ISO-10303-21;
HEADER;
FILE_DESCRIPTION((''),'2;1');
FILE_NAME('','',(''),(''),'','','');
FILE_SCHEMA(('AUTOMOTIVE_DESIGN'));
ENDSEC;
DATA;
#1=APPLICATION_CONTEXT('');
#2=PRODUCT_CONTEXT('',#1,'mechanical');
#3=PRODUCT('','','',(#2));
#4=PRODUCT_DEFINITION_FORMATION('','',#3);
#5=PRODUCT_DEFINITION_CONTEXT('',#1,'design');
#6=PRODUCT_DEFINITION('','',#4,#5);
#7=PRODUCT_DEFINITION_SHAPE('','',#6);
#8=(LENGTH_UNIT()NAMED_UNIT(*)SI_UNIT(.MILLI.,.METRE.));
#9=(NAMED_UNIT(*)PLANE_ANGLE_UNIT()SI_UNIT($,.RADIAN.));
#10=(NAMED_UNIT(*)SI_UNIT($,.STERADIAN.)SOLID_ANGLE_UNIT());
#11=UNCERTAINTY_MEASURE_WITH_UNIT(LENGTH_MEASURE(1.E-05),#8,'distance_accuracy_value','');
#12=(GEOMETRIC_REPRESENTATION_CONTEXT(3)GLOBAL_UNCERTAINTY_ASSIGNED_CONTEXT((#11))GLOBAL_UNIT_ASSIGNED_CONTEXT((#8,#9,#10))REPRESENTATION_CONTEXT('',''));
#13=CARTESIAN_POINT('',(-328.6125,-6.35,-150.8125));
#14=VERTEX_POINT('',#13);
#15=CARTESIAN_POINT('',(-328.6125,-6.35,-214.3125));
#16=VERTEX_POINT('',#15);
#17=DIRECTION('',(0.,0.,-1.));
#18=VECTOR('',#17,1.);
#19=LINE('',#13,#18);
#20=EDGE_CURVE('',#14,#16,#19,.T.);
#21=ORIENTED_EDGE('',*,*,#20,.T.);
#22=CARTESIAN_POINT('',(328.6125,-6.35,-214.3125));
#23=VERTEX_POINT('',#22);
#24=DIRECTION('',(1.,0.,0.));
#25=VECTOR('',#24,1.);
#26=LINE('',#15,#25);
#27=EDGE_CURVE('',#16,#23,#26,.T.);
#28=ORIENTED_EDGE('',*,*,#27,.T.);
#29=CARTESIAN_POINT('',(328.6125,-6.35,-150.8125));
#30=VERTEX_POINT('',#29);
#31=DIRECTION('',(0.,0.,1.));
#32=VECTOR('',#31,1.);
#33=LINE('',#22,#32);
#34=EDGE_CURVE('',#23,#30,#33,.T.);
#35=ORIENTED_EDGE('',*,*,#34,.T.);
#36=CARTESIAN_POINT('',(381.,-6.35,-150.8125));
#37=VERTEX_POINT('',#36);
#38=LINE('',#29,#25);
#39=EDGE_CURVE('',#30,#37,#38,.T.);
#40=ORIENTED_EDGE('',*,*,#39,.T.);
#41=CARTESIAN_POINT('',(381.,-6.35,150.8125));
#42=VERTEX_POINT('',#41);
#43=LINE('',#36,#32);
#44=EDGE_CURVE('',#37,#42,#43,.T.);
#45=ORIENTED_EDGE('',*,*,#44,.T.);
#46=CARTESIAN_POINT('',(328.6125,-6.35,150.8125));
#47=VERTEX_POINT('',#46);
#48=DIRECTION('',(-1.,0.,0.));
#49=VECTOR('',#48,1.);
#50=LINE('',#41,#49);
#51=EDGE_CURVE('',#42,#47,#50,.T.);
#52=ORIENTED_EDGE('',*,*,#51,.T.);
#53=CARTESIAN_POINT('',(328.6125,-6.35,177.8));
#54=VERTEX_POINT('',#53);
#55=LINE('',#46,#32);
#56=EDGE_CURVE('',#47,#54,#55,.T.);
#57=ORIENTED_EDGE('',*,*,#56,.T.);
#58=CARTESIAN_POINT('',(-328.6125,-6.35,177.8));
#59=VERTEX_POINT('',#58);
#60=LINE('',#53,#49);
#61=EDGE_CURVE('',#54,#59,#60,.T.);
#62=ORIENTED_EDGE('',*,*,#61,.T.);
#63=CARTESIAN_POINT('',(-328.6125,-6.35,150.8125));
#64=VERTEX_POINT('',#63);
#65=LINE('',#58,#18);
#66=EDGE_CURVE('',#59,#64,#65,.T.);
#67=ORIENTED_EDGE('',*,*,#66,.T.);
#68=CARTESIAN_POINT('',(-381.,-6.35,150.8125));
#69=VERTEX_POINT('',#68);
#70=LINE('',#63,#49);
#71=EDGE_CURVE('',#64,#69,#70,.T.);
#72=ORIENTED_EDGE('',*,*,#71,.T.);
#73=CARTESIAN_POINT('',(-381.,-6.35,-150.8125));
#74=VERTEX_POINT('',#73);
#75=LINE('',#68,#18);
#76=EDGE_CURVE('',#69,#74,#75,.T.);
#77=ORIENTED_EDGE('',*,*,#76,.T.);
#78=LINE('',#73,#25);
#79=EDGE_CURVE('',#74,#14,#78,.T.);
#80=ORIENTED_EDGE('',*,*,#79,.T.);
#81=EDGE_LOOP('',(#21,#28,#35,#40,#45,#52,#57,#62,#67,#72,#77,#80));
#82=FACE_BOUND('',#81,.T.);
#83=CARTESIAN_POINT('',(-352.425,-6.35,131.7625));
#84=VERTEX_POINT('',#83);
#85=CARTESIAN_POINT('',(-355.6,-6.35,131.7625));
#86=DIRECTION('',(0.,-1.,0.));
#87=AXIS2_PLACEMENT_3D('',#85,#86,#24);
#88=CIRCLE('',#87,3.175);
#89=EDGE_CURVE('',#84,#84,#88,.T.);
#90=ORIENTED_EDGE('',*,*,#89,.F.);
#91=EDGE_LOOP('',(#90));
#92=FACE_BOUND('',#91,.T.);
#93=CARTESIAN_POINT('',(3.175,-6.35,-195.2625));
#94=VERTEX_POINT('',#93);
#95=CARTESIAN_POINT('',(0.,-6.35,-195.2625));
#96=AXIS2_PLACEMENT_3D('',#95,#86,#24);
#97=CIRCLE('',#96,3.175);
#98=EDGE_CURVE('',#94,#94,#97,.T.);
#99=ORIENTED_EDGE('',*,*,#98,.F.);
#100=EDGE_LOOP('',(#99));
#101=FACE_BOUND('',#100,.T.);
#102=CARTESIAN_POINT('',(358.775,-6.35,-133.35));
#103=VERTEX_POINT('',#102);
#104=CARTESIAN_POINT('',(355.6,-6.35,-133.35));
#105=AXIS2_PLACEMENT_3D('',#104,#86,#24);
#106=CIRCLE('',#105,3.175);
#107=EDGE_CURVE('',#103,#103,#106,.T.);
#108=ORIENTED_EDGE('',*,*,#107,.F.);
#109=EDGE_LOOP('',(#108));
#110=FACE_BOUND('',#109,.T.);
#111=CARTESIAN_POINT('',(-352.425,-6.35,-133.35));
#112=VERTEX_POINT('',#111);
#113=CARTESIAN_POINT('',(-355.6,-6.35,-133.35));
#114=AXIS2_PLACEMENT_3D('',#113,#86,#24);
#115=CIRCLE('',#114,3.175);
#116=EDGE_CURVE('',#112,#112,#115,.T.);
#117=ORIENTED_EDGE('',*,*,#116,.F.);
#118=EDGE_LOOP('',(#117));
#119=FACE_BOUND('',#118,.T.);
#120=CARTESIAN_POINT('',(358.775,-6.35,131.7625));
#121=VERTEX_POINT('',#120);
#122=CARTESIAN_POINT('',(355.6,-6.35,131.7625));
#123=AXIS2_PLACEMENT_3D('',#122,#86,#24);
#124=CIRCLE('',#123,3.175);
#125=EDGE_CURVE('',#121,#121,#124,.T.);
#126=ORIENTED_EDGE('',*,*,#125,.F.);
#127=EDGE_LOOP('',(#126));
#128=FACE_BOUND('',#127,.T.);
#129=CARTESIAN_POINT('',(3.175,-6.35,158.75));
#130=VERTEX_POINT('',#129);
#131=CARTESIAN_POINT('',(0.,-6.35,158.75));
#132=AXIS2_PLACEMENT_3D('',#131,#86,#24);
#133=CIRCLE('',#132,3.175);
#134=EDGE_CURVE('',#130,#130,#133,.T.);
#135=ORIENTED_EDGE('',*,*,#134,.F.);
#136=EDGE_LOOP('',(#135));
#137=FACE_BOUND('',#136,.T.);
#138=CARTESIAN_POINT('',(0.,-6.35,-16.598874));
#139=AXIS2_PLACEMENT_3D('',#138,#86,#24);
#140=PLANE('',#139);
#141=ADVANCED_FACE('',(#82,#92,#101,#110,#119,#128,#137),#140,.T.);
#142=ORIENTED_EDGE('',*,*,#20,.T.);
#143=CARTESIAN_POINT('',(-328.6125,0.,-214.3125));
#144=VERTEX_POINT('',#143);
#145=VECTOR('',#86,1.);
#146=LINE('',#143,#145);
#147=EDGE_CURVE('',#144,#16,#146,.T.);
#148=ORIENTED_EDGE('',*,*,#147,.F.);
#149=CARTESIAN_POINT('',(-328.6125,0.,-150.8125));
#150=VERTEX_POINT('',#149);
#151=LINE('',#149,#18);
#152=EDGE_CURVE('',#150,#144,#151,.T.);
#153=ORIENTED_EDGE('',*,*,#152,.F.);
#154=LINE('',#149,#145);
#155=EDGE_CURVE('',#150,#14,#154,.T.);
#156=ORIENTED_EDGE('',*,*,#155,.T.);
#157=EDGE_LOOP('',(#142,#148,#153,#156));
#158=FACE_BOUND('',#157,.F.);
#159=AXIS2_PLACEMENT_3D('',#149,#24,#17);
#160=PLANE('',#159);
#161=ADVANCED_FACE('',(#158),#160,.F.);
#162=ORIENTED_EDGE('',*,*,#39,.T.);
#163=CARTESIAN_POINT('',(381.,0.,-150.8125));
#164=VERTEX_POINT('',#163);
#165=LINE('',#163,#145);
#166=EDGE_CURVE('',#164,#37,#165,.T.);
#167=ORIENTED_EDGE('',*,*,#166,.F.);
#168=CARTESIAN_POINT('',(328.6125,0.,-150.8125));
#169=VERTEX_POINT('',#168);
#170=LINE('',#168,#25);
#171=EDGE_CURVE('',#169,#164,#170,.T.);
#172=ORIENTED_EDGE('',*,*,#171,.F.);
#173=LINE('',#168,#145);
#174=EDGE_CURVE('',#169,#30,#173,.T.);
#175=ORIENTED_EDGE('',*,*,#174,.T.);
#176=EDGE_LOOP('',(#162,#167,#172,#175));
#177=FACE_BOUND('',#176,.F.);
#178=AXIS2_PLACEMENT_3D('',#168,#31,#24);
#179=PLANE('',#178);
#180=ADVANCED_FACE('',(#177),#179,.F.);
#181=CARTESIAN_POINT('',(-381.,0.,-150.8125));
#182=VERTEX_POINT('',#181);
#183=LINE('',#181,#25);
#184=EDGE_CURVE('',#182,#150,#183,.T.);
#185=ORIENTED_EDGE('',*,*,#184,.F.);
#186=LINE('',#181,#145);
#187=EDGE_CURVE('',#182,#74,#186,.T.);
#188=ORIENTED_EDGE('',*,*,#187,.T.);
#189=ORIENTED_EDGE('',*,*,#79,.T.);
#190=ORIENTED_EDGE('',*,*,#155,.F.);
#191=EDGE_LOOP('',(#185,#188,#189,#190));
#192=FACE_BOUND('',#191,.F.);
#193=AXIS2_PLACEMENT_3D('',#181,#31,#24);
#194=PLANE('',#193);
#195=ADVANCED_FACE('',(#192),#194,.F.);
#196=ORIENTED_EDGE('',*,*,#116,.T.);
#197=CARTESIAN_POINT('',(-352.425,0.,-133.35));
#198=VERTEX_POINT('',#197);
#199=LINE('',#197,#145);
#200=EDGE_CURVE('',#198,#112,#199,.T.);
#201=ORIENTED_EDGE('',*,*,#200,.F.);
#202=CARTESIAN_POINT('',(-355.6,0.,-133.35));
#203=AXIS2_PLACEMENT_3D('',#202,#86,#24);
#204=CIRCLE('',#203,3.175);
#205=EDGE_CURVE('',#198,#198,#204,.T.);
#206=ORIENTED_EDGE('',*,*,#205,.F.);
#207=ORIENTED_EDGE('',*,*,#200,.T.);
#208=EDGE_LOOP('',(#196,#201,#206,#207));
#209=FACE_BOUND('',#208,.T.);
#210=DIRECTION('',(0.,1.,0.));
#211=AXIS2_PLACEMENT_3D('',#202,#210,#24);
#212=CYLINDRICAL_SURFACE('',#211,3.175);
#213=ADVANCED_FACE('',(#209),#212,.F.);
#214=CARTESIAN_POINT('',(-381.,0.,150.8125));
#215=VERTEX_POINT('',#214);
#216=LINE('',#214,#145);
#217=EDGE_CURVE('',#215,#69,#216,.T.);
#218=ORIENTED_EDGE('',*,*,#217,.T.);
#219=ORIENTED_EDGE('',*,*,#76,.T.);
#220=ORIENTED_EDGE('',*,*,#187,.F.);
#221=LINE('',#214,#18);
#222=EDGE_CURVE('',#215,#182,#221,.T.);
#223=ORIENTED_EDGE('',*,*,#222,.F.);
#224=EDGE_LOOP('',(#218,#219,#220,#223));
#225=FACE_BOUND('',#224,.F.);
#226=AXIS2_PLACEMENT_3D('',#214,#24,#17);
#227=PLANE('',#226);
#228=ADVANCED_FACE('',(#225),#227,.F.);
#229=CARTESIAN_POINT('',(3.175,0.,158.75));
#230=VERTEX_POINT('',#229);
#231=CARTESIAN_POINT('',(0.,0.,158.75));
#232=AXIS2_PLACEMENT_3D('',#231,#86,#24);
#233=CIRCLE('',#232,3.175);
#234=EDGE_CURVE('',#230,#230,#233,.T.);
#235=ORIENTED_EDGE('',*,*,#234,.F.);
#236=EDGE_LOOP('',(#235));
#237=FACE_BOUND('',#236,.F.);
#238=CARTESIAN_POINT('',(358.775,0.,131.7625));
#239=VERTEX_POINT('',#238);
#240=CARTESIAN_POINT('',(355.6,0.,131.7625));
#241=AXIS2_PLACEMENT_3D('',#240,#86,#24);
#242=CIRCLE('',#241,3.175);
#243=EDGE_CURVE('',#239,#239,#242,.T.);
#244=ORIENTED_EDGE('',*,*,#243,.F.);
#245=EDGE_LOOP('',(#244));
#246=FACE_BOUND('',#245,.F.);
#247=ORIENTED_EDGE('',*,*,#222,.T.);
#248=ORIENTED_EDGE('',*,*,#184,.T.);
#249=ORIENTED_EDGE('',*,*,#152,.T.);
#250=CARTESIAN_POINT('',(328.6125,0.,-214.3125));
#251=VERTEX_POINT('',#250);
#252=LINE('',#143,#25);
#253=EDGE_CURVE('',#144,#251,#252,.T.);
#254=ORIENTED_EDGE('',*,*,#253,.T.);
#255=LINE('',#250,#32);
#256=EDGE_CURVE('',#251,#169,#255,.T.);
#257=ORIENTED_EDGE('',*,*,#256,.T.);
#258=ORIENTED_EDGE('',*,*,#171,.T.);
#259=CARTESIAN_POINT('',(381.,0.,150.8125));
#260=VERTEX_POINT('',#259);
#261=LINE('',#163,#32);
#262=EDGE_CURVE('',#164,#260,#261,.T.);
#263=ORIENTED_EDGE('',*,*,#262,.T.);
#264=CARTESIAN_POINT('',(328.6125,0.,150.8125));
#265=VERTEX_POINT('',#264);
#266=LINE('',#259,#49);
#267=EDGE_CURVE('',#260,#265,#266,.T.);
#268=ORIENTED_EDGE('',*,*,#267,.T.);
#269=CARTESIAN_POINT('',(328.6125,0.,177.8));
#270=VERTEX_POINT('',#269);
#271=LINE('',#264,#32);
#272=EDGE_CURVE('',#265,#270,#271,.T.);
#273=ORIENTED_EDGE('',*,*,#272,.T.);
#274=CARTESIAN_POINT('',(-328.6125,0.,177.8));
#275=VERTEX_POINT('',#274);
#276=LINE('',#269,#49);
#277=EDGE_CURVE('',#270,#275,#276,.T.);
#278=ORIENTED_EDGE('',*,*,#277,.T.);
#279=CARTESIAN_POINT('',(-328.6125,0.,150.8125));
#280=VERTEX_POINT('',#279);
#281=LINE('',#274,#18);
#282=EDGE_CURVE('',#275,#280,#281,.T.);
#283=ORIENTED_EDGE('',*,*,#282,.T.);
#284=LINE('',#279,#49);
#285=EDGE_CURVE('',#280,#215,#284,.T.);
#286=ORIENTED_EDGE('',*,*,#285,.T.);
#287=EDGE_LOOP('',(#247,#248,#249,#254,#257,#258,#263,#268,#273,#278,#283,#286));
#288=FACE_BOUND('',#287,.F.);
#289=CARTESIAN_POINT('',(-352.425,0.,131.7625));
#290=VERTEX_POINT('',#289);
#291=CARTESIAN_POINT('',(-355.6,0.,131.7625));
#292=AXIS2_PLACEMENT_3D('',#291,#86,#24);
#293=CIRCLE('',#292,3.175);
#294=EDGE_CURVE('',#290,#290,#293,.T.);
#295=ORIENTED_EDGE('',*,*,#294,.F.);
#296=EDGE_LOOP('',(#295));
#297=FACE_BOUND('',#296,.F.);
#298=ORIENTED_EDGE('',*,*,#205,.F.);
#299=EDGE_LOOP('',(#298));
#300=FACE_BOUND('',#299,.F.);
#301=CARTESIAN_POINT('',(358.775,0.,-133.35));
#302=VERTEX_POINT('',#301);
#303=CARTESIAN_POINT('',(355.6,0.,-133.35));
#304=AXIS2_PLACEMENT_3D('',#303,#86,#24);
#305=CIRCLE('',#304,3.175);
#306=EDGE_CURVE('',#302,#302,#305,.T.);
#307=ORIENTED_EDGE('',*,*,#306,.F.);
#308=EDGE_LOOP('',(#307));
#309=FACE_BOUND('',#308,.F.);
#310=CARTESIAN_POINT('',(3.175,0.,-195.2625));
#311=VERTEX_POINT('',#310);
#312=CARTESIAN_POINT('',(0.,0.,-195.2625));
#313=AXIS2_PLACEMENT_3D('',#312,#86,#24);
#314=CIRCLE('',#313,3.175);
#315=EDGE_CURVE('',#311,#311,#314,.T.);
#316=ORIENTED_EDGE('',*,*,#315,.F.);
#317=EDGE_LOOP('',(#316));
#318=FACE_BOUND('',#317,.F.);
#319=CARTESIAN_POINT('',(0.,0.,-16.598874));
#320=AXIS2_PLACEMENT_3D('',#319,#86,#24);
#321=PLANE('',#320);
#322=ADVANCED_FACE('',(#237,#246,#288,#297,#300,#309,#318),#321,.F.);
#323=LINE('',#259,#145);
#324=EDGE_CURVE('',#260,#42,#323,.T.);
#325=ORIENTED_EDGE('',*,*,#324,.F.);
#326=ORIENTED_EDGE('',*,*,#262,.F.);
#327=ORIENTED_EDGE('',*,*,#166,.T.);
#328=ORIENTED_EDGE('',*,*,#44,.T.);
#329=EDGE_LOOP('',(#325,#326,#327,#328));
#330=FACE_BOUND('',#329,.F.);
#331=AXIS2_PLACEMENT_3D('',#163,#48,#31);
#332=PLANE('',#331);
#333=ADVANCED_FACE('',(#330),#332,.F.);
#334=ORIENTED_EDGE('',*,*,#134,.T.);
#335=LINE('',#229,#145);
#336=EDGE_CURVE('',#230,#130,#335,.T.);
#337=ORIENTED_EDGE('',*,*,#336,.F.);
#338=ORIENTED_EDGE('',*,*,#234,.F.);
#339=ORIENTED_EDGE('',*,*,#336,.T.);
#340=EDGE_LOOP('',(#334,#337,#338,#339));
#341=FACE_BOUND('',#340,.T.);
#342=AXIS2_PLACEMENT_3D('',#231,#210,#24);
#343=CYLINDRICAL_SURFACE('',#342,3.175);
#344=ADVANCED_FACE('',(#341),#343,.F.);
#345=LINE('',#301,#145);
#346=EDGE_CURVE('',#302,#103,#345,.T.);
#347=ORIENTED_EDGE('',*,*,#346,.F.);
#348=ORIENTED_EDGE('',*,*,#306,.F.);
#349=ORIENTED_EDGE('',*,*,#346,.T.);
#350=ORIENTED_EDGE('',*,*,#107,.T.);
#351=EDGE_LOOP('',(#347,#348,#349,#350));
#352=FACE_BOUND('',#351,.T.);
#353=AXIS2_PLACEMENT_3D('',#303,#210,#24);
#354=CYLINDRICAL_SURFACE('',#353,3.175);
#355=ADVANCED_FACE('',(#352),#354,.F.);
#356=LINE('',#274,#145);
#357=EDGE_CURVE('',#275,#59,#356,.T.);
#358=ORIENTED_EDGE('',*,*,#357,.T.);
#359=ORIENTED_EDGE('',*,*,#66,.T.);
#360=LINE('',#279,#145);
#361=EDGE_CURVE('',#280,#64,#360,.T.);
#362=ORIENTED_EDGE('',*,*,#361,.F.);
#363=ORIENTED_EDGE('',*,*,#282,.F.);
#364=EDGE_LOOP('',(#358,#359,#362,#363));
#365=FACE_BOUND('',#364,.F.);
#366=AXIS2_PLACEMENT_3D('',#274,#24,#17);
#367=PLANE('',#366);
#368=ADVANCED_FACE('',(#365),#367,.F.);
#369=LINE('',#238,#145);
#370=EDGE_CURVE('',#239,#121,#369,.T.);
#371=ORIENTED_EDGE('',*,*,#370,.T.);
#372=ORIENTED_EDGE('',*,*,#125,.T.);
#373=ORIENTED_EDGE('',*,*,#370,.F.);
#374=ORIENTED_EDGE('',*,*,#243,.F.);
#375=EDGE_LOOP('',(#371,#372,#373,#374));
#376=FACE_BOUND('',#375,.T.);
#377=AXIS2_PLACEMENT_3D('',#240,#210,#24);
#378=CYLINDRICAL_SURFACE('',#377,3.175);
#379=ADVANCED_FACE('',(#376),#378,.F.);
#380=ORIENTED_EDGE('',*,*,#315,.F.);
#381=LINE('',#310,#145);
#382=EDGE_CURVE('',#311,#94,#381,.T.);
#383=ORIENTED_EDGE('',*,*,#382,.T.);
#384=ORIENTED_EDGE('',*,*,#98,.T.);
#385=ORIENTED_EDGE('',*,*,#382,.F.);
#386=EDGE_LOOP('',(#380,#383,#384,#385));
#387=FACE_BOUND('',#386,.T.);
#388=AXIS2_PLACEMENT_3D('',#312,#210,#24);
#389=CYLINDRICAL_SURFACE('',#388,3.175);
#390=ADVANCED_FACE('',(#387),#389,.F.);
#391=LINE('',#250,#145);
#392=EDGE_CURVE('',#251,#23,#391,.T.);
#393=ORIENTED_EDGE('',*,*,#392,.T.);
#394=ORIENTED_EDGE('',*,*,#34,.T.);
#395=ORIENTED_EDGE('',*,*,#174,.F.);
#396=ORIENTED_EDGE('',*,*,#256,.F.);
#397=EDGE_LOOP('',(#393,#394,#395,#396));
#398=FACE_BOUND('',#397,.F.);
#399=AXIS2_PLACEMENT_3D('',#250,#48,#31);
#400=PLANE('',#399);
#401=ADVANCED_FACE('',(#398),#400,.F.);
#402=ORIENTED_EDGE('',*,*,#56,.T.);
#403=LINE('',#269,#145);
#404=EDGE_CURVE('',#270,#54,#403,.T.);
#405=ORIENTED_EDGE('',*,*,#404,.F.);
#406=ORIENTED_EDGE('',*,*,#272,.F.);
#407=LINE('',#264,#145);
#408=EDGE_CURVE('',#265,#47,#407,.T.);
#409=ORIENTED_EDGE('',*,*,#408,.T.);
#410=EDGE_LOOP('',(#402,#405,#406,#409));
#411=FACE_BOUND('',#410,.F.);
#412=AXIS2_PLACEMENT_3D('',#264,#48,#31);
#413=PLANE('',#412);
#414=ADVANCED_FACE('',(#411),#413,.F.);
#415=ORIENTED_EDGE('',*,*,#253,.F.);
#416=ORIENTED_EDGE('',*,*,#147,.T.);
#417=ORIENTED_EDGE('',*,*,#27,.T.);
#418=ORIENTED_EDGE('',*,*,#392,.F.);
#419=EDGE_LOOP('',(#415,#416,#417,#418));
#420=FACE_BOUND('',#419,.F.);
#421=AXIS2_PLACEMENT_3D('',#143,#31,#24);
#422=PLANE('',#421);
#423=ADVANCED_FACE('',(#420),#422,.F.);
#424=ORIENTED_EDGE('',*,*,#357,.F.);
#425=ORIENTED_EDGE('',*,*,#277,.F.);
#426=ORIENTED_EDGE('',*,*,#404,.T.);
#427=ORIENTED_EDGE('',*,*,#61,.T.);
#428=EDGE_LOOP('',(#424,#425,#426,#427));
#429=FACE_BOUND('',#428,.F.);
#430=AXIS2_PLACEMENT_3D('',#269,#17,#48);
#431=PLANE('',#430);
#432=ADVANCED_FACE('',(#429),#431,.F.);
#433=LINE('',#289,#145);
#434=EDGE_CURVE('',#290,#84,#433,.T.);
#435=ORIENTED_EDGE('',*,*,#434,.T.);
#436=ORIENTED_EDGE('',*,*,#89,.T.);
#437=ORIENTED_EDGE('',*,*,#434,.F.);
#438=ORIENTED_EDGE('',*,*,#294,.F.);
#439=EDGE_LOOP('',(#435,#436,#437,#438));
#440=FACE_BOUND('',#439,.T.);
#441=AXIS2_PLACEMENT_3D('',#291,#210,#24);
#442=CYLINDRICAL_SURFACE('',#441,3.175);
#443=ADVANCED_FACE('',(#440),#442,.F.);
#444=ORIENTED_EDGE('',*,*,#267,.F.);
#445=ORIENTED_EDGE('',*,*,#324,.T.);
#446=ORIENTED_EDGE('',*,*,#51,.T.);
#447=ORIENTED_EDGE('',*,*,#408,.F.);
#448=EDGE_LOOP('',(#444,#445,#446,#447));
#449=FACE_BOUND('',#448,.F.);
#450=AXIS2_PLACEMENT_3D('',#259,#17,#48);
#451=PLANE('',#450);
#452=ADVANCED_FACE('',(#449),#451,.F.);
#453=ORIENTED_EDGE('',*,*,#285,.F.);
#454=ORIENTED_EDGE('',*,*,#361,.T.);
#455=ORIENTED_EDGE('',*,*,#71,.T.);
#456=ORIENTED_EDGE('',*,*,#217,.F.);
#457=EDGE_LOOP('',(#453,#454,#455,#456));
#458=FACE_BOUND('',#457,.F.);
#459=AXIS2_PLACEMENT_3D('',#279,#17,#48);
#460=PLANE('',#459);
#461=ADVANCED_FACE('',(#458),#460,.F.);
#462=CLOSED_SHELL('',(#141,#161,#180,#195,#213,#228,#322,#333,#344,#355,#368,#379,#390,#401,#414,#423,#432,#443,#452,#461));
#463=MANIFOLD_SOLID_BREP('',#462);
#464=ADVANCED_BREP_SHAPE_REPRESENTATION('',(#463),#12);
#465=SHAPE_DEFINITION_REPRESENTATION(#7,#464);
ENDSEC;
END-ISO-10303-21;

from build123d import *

# Parameters (mm, degrees)
F0_R     = 3.175
F1_DEPTH = 6.35


with BuildPart() as f1:
    # F0 (on Front) → F1 (new body)
    with BuildSketch(Plane.XZ):
        Polygon((-328.6125, 150.8125), (-381, 150.8125), (-381, -150.8125), (-328.6125, -150.8125), (-328.6125, -214.3125), (328.6125, -214.3125), (328.6125, -150.8125), (381, -150.8125), (381, 150.8125), (328.6125, 150.8125), (328.6125, 177.8), (-328.6125, 177.8), align=None)
        with Locations((-355.6, -133.35)):
            Circle(F0_R, mode=Mode.SUBTRACT)
        with Locations((0, -195.2625)):
            Circle(F0_R, mode=Mode.SUBTRACT)
        with Locations((355.6, -133.35)):
            Circle(F0_R, mode=Mode.SUBTRACT)
        with Locations((-355.6, 131.7625)):
            Circle(F0_R, mode=Mode.SUBTRACT)
        with Locations((0, 158.75)):
            Circle(F0_R, mode=Mode.SUBTRACT)
        with Locations((355.6, 131.7625)):
            Circle(F0_R, mode=Mode.SUBTRACT)
    extrude(amount=F1_DEPTH)


solid = f1.part
